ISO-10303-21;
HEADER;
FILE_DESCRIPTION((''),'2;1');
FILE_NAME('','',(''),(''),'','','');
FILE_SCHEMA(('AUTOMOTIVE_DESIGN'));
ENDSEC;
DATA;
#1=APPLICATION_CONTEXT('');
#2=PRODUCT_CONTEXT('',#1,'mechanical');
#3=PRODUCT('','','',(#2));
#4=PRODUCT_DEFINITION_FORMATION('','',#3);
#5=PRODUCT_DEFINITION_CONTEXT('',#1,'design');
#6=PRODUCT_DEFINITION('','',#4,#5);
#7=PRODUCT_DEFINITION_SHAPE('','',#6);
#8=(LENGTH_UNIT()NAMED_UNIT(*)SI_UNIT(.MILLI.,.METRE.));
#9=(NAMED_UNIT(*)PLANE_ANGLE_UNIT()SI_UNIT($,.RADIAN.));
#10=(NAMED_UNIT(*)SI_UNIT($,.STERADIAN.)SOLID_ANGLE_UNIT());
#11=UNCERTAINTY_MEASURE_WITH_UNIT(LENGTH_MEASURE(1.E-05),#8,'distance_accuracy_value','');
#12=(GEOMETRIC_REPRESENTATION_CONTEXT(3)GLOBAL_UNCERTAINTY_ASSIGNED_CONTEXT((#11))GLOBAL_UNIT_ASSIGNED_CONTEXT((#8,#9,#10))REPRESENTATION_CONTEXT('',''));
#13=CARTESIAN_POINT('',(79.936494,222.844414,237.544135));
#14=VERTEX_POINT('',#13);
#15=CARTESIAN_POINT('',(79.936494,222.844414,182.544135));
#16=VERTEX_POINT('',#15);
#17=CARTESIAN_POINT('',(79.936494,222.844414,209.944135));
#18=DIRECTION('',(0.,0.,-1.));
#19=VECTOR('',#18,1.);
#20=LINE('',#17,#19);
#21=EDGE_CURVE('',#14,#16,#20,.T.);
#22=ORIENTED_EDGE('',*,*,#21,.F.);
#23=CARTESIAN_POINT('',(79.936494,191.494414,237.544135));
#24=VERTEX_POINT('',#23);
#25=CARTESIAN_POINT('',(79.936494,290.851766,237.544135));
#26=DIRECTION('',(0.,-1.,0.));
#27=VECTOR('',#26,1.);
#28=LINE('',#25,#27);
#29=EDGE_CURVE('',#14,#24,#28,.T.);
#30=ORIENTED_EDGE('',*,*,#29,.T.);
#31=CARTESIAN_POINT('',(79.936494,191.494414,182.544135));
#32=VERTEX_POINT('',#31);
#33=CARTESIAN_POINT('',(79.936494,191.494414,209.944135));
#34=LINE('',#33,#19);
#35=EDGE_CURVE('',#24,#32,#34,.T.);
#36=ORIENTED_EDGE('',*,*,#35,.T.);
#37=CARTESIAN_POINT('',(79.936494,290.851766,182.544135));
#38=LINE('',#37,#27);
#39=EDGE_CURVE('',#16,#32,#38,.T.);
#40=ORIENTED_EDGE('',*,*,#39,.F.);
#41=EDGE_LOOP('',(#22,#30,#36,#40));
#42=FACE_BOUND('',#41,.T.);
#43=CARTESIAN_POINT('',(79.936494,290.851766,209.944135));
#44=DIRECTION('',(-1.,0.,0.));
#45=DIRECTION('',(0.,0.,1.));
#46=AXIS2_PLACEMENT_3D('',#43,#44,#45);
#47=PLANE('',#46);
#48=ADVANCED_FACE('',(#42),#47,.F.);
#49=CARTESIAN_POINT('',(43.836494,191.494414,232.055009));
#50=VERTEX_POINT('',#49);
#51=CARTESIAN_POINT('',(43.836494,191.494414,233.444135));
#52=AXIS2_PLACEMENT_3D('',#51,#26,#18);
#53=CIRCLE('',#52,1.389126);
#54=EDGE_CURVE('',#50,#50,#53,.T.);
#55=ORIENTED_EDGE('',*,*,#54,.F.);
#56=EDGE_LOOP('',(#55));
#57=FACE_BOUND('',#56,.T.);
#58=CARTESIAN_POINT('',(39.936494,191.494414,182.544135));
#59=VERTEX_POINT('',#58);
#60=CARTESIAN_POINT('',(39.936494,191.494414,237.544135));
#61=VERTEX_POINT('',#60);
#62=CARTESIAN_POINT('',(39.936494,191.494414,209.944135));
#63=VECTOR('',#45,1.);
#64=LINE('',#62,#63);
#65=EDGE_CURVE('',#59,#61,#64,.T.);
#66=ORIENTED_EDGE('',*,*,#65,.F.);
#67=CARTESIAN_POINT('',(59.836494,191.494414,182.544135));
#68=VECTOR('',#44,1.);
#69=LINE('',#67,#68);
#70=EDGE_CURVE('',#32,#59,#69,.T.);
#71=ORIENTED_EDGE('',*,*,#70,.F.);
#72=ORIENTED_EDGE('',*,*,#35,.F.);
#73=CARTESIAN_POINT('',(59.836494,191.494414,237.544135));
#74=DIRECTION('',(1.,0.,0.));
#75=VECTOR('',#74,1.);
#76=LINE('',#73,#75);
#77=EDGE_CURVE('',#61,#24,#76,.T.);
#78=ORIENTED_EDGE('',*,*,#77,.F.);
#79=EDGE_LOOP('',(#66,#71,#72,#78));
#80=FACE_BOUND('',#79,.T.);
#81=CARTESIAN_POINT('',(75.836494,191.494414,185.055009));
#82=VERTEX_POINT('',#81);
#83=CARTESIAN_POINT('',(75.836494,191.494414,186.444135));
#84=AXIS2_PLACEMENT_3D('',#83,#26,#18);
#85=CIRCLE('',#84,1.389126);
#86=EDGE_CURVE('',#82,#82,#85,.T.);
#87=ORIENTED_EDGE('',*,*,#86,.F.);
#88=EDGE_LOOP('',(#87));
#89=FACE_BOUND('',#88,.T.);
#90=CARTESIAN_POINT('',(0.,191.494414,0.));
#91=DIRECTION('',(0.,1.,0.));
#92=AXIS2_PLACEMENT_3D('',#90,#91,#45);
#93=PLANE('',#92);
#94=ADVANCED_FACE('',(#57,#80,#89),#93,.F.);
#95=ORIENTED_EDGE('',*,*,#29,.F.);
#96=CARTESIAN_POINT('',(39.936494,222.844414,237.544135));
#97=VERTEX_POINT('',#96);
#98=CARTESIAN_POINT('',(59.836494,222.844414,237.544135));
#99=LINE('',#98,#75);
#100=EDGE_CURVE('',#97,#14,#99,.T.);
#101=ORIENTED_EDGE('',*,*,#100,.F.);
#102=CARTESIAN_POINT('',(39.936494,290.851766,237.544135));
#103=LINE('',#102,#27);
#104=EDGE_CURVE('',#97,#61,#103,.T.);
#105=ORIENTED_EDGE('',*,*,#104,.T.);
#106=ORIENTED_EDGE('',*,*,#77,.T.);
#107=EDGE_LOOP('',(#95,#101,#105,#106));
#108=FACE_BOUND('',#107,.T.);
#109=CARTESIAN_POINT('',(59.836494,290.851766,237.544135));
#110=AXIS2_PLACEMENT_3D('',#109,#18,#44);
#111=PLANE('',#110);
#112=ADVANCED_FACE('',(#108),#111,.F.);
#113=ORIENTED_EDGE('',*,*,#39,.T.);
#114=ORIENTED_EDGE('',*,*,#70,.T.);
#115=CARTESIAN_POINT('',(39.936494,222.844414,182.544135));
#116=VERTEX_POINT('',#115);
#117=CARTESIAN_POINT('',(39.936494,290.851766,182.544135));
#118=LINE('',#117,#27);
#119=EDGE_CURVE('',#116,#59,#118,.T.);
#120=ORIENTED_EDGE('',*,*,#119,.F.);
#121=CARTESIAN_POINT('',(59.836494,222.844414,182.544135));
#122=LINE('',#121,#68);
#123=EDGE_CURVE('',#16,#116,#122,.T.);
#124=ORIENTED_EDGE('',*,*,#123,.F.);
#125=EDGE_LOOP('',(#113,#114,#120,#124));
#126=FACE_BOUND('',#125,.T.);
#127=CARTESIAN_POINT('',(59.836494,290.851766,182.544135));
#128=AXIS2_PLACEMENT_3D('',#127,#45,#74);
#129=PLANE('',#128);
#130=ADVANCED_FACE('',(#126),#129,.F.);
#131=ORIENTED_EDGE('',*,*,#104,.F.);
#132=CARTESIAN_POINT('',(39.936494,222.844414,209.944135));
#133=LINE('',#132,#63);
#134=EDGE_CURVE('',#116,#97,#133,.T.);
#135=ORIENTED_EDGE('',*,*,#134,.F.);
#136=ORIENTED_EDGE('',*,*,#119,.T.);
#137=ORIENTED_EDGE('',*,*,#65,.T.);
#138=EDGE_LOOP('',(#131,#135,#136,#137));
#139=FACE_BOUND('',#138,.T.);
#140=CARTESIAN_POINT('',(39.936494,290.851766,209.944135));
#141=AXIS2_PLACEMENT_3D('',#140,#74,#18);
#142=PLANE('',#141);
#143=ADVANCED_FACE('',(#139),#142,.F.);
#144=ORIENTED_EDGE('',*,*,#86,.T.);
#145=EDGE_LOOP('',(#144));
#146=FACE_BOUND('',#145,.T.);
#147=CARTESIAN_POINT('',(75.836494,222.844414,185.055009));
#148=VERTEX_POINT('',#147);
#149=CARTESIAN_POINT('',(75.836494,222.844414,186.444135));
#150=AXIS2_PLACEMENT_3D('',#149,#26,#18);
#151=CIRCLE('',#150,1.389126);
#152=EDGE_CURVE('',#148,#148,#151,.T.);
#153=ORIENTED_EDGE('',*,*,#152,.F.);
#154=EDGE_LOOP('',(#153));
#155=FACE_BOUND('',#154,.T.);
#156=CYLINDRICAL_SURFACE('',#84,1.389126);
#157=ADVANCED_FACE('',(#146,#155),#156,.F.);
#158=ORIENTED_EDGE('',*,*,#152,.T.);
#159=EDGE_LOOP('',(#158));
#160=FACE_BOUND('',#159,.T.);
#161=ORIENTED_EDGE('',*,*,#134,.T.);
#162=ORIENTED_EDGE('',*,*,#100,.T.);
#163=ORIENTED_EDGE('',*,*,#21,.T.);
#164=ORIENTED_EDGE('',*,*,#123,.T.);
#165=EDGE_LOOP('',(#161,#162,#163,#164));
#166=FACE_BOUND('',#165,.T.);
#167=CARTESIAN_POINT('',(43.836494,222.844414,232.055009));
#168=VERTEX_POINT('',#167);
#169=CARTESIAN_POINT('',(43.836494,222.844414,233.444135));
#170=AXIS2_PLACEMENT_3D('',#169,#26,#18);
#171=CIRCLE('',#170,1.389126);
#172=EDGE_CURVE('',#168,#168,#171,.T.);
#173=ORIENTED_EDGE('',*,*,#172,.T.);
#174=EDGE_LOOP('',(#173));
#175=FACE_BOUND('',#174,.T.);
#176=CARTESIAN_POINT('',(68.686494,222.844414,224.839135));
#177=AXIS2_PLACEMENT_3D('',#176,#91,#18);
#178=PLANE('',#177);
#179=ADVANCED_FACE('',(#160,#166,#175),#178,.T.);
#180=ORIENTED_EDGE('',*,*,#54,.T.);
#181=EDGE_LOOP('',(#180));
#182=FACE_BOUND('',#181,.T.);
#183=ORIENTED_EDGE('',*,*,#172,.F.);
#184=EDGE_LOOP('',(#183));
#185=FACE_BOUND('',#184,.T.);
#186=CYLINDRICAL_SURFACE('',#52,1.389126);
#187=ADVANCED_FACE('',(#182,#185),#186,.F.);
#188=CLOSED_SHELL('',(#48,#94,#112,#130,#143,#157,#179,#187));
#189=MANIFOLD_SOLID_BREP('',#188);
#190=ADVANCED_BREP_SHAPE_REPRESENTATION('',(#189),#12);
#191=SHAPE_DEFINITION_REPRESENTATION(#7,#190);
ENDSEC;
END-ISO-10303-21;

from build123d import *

# Parameters (mm, degrees)
BOSS_EXTRUDE1_START             = -14.3
SKETCH1_W                       = 40
SKETCH1_H                       = 55
BOSS_EXTRUDE1_DEPTH             = 31.35
F_7_64_0_10938_DIAMETER_HOLE1_D = 2.778252


with BuildPart() as part:
    # Sketch1 → Boss-Extrude1 (new body)
    with BuildSketch(Plane(origin=(0, 205.794413587, 0), x_dir=(1, 0, 0), z_dir=(0, 1, 0)).offset(BOSS_EXTRUDE1_START)):
        with Locations((59.936494412, -210.044134902)):
            Rectangle(SKETCH1_W, SKETCH1_H)
    extrude(amount=BOSS_EXTRUDE1_DEPTH)

    # 7/64 (0.10938) Diameter Hole1 (through all)
    with Locations(Plane(origin=(0, 191.494413587, 0), x_dir=(-1, 0, 0), z_dir=(0, -1, 0))):
        with Locations((-75.836494412, -186.444134902), (-43.836494412, -233.444134902)):
            Hole(F_7_64_0_10938_DIAMETER_HOLE1_D / 2)


solid = part.part
